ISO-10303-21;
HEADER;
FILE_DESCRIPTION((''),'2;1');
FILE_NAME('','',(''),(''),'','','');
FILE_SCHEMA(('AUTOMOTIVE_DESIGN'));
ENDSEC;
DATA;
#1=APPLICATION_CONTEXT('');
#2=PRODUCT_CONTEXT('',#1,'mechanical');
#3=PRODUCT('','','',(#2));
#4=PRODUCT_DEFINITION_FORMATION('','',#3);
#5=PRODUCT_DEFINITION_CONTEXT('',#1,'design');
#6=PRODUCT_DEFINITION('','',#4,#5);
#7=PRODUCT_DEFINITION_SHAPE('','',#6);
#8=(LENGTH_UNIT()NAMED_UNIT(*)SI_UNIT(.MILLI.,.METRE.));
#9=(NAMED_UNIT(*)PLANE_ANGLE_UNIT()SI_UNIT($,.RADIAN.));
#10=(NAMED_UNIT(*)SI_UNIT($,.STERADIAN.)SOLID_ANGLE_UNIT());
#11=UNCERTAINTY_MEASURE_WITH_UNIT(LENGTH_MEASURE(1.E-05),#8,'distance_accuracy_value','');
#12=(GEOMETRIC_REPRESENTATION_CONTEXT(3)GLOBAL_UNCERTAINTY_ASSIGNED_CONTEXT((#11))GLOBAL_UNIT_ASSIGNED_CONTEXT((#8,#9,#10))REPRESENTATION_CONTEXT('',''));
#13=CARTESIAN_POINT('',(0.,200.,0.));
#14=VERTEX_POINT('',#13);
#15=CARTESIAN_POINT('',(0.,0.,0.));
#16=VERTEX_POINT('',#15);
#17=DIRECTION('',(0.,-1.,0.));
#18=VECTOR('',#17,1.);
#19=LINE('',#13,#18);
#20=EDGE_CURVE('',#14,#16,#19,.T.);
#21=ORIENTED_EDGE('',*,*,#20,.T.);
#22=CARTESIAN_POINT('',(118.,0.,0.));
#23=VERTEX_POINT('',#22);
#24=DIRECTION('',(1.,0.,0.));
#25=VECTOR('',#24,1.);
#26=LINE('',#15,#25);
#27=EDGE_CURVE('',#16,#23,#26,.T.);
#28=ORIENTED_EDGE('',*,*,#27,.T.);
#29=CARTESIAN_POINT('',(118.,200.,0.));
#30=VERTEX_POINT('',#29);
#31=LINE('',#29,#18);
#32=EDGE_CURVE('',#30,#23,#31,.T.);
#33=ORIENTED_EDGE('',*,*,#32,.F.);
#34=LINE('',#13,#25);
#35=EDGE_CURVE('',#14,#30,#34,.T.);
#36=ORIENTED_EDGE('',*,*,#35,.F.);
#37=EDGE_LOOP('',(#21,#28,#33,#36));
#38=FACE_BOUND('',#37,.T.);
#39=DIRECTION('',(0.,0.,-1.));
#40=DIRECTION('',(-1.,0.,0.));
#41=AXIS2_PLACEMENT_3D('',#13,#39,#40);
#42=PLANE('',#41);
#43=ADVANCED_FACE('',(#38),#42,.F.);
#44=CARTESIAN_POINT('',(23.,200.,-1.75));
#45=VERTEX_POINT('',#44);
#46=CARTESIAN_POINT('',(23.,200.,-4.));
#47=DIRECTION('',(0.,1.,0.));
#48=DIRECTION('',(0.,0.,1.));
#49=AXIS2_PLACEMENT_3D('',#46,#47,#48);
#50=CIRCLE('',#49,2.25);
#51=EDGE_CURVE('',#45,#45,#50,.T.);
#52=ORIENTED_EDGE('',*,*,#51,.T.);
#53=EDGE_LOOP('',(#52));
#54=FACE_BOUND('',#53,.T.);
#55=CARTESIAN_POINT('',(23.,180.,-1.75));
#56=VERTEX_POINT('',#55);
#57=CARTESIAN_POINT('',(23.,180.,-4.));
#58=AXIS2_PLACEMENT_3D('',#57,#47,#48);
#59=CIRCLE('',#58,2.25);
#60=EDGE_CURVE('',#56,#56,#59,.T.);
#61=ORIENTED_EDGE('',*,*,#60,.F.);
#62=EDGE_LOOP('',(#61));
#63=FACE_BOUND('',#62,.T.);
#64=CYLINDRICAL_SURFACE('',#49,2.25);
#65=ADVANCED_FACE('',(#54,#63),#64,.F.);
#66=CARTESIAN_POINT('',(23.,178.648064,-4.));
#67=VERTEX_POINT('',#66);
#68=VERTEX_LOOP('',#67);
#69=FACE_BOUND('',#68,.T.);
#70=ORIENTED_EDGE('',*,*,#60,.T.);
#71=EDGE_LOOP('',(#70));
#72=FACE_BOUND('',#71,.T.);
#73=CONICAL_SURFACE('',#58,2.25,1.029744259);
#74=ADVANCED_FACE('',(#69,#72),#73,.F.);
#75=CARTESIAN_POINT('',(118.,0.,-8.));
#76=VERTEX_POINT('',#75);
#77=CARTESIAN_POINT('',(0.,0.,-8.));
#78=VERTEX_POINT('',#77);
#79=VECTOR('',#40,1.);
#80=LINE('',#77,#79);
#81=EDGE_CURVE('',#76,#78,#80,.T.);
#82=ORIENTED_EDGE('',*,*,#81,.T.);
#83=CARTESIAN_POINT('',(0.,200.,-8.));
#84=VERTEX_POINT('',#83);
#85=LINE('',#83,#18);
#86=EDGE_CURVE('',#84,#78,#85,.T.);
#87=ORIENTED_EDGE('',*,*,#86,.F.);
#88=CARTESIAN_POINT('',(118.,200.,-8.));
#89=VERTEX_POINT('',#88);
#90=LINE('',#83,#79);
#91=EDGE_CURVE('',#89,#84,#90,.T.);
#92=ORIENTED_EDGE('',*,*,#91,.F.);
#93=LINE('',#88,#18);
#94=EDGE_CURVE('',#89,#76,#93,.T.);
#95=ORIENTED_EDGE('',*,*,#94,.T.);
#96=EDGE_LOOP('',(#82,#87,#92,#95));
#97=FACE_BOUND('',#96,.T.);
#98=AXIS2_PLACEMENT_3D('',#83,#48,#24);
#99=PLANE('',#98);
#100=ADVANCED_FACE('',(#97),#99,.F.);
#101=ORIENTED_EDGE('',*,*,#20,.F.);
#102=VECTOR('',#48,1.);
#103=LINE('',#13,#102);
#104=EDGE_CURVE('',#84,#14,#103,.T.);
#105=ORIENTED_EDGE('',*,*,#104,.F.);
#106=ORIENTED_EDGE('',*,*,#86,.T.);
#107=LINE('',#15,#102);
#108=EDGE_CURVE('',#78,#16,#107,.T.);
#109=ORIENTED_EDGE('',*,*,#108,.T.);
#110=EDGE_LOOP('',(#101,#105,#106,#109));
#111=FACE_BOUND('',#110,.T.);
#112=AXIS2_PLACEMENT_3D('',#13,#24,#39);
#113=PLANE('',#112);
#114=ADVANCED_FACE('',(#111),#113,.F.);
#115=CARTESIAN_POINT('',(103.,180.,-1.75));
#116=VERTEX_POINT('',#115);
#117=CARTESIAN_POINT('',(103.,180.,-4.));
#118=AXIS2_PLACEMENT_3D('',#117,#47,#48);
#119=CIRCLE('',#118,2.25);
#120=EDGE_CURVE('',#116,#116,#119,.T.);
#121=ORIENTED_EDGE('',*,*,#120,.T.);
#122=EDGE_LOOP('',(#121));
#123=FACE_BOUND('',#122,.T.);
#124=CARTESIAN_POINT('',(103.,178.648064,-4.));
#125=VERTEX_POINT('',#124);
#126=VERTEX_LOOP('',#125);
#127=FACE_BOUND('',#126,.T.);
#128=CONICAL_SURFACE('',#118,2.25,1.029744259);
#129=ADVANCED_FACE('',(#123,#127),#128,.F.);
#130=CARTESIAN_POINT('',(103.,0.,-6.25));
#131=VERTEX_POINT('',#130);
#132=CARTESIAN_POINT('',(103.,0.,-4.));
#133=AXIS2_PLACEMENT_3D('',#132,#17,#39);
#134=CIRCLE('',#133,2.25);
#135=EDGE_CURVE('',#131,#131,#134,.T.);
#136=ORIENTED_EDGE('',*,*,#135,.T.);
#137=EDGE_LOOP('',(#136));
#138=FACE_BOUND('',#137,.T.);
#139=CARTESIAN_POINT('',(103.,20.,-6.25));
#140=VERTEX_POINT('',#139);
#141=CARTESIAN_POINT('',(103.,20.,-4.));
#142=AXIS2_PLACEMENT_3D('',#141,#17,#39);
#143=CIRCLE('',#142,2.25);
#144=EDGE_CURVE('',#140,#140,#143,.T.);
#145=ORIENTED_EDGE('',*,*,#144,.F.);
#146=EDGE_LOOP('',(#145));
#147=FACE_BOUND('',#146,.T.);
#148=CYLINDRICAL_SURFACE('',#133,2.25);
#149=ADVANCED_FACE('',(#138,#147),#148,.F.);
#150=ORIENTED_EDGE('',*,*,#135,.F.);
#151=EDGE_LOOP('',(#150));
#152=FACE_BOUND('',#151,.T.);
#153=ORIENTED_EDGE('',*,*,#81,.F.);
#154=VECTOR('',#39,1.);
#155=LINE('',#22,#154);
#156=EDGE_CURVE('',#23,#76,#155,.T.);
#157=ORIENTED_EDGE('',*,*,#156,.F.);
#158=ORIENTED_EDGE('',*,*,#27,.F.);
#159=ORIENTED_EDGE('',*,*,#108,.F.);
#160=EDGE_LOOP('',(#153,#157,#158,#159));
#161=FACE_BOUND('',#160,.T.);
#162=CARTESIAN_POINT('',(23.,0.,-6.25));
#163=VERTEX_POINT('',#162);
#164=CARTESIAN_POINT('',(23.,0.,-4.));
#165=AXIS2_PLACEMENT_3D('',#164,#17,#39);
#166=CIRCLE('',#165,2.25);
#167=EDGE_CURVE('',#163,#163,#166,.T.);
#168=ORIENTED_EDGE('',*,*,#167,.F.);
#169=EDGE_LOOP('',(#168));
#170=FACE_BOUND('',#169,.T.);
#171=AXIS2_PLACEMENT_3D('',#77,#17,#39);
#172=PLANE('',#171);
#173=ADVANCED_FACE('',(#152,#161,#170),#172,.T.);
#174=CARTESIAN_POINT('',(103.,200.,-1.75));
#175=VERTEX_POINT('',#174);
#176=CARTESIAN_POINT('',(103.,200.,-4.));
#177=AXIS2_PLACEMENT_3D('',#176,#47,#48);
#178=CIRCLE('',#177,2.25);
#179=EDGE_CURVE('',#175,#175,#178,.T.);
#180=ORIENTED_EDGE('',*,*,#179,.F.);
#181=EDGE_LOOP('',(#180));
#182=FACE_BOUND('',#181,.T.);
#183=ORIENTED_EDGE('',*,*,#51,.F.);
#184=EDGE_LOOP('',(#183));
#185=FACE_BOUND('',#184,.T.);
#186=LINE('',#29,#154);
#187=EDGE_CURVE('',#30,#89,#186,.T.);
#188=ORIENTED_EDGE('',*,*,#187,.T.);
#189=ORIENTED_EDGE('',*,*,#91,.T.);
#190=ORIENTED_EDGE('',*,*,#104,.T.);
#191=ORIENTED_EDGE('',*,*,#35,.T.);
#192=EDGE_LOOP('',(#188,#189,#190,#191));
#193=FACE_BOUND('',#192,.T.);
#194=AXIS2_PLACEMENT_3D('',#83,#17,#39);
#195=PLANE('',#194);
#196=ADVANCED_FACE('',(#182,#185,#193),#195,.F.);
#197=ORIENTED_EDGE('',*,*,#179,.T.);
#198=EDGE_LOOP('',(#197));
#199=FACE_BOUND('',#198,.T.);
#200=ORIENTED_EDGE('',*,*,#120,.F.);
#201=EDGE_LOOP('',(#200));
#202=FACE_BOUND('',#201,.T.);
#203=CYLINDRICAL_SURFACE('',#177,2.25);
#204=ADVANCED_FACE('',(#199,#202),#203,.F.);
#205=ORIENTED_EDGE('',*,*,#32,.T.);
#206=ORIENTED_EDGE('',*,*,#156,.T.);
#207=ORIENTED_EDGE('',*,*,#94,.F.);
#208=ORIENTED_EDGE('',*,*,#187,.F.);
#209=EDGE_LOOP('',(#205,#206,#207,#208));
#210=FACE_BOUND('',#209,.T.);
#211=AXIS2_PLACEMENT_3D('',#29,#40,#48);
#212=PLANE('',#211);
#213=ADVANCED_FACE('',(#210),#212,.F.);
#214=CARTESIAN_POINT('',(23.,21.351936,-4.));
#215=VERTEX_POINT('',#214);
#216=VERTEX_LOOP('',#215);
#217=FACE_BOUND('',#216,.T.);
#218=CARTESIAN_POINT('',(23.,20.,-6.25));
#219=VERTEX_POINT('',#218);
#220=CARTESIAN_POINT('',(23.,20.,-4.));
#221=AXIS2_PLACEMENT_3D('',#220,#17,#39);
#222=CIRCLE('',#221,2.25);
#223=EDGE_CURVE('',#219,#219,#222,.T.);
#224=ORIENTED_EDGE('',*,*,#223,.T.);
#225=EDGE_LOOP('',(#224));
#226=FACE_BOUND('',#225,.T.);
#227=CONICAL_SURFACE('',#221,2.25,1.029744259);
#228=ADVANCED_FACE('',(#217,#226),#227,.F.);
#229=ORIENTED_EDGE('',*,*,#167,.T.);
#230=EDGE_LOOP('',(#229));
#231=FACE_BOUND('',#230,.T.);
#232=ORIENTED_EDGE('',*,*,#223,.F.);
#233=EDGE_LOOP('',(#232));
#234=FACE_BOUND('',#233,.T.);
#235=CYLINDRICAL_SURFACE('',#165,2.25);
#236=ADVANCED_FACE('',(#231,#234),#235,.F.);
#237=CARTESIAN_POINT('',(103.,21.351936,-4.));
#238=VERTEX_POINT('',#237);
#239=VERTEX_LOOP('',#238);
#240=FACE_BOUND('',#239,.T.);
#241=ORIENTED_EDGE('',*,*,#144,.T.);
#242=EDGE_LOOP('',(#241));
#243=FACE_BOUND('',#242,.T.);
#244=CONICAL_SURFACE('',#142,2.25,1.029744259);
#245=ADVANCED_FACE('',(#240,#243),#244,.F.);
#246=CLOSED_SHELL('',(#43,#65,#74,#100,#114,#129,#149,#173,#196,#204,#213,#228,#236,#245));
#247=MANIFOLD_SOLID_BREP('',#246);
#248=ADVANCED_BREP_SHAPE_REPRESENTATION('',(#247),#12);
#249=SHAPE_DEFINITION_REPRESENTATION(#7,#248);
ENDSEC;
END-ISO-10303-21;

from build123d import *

# Parameters (mm, degrees)
SKETCH1_W                      = 118
SKETCH1_H                      = 8
EXTRUDE1_DEPTH                 = 200
F_4_5_4_5_DIAMETER_HOLE1_D     = 4.5
F_4_5_4_5_DIAMETER_HOLE1_DEPTH = 20
F_4_5_4_5_DIAMETER_HOLE1_TIP   = 1.351936393
F_4_5_4_5_DIAMETER_HOLE2_D     = 4.5
F_4_5_4_5_DIAMETER_HOLE2_DEPTH = 20
F_4_5_4_5_DIAMETER_HOLE2_TIP   = 1.351936393


with BuildPart() as part:
    # Sketch1 → Extrude1 (new body)
    with BuildSketch(Plane(origin=(0, 0, 0), x_dir=(1, 0, 0), z_dir=(0, 1, 0))):
        with Locations((59, 4)):
            Rectangle(SKETCH1_W, SKETCH1_H)
    extrude(amount=EXTRUDE1_DEPTH)

    # Ø4.5 (4.5) Diameter Hole1
    with Locations(Plane(origin=(23, 200, -4), x_dir=(0, 0, 1), z_dir=(0, 1, 0))):
        with Locations((0, 0), (0, 80)):
            Hole(F_4_5_4_5_DIAMETER_HOLE1_D / 2, depth=F_4_5_4_5_DIAMETER_HOLE1_DEPTH)
            with Locations((0, 0, -(F_4_5_4_5_DIAMETER_HOLE1_DEPTH + F_4_5_4_5_DIAMETER_HOLE1_TIP / 2))):  # 118° drill point
                Cone(0, F_4_5_4_5_DIAMETER_HOLE1_D / 2, F_4_5_4_5_DIAMETER_HOLE1_TIP, mode=Mode.SUBTRACT)

    # Ø4.5 (4.5) Diameter Hole2
    with Locations(Plane(origin=(23, 0, -4), x_dir=(0, 0, -1), z_dir=(0, -1, 0))):
        with Locations((0, 0), (0, 80)):
            Hole(F_4_5_4_5_DIAMETER_HOLE2_D / 2, depth=F_4_5_4_5_DIAMETER_HOLE2_DEPTH)
            with Locations((0, 0, -(F_4_5_4_5_DIAMETER_HOLE2_DEPTH + F_4_5_4_5_DIAMETER_HOLE2_TIP / 2))):  # 118° drill point
                Cone(0, F_4_5_4_5_DIAMETER_HOLE2_D / 2, F_4_5_4_5_DIAMETER_HOLE2_TIP, mode=Mode.SUBTRACT)


solid = part.part
